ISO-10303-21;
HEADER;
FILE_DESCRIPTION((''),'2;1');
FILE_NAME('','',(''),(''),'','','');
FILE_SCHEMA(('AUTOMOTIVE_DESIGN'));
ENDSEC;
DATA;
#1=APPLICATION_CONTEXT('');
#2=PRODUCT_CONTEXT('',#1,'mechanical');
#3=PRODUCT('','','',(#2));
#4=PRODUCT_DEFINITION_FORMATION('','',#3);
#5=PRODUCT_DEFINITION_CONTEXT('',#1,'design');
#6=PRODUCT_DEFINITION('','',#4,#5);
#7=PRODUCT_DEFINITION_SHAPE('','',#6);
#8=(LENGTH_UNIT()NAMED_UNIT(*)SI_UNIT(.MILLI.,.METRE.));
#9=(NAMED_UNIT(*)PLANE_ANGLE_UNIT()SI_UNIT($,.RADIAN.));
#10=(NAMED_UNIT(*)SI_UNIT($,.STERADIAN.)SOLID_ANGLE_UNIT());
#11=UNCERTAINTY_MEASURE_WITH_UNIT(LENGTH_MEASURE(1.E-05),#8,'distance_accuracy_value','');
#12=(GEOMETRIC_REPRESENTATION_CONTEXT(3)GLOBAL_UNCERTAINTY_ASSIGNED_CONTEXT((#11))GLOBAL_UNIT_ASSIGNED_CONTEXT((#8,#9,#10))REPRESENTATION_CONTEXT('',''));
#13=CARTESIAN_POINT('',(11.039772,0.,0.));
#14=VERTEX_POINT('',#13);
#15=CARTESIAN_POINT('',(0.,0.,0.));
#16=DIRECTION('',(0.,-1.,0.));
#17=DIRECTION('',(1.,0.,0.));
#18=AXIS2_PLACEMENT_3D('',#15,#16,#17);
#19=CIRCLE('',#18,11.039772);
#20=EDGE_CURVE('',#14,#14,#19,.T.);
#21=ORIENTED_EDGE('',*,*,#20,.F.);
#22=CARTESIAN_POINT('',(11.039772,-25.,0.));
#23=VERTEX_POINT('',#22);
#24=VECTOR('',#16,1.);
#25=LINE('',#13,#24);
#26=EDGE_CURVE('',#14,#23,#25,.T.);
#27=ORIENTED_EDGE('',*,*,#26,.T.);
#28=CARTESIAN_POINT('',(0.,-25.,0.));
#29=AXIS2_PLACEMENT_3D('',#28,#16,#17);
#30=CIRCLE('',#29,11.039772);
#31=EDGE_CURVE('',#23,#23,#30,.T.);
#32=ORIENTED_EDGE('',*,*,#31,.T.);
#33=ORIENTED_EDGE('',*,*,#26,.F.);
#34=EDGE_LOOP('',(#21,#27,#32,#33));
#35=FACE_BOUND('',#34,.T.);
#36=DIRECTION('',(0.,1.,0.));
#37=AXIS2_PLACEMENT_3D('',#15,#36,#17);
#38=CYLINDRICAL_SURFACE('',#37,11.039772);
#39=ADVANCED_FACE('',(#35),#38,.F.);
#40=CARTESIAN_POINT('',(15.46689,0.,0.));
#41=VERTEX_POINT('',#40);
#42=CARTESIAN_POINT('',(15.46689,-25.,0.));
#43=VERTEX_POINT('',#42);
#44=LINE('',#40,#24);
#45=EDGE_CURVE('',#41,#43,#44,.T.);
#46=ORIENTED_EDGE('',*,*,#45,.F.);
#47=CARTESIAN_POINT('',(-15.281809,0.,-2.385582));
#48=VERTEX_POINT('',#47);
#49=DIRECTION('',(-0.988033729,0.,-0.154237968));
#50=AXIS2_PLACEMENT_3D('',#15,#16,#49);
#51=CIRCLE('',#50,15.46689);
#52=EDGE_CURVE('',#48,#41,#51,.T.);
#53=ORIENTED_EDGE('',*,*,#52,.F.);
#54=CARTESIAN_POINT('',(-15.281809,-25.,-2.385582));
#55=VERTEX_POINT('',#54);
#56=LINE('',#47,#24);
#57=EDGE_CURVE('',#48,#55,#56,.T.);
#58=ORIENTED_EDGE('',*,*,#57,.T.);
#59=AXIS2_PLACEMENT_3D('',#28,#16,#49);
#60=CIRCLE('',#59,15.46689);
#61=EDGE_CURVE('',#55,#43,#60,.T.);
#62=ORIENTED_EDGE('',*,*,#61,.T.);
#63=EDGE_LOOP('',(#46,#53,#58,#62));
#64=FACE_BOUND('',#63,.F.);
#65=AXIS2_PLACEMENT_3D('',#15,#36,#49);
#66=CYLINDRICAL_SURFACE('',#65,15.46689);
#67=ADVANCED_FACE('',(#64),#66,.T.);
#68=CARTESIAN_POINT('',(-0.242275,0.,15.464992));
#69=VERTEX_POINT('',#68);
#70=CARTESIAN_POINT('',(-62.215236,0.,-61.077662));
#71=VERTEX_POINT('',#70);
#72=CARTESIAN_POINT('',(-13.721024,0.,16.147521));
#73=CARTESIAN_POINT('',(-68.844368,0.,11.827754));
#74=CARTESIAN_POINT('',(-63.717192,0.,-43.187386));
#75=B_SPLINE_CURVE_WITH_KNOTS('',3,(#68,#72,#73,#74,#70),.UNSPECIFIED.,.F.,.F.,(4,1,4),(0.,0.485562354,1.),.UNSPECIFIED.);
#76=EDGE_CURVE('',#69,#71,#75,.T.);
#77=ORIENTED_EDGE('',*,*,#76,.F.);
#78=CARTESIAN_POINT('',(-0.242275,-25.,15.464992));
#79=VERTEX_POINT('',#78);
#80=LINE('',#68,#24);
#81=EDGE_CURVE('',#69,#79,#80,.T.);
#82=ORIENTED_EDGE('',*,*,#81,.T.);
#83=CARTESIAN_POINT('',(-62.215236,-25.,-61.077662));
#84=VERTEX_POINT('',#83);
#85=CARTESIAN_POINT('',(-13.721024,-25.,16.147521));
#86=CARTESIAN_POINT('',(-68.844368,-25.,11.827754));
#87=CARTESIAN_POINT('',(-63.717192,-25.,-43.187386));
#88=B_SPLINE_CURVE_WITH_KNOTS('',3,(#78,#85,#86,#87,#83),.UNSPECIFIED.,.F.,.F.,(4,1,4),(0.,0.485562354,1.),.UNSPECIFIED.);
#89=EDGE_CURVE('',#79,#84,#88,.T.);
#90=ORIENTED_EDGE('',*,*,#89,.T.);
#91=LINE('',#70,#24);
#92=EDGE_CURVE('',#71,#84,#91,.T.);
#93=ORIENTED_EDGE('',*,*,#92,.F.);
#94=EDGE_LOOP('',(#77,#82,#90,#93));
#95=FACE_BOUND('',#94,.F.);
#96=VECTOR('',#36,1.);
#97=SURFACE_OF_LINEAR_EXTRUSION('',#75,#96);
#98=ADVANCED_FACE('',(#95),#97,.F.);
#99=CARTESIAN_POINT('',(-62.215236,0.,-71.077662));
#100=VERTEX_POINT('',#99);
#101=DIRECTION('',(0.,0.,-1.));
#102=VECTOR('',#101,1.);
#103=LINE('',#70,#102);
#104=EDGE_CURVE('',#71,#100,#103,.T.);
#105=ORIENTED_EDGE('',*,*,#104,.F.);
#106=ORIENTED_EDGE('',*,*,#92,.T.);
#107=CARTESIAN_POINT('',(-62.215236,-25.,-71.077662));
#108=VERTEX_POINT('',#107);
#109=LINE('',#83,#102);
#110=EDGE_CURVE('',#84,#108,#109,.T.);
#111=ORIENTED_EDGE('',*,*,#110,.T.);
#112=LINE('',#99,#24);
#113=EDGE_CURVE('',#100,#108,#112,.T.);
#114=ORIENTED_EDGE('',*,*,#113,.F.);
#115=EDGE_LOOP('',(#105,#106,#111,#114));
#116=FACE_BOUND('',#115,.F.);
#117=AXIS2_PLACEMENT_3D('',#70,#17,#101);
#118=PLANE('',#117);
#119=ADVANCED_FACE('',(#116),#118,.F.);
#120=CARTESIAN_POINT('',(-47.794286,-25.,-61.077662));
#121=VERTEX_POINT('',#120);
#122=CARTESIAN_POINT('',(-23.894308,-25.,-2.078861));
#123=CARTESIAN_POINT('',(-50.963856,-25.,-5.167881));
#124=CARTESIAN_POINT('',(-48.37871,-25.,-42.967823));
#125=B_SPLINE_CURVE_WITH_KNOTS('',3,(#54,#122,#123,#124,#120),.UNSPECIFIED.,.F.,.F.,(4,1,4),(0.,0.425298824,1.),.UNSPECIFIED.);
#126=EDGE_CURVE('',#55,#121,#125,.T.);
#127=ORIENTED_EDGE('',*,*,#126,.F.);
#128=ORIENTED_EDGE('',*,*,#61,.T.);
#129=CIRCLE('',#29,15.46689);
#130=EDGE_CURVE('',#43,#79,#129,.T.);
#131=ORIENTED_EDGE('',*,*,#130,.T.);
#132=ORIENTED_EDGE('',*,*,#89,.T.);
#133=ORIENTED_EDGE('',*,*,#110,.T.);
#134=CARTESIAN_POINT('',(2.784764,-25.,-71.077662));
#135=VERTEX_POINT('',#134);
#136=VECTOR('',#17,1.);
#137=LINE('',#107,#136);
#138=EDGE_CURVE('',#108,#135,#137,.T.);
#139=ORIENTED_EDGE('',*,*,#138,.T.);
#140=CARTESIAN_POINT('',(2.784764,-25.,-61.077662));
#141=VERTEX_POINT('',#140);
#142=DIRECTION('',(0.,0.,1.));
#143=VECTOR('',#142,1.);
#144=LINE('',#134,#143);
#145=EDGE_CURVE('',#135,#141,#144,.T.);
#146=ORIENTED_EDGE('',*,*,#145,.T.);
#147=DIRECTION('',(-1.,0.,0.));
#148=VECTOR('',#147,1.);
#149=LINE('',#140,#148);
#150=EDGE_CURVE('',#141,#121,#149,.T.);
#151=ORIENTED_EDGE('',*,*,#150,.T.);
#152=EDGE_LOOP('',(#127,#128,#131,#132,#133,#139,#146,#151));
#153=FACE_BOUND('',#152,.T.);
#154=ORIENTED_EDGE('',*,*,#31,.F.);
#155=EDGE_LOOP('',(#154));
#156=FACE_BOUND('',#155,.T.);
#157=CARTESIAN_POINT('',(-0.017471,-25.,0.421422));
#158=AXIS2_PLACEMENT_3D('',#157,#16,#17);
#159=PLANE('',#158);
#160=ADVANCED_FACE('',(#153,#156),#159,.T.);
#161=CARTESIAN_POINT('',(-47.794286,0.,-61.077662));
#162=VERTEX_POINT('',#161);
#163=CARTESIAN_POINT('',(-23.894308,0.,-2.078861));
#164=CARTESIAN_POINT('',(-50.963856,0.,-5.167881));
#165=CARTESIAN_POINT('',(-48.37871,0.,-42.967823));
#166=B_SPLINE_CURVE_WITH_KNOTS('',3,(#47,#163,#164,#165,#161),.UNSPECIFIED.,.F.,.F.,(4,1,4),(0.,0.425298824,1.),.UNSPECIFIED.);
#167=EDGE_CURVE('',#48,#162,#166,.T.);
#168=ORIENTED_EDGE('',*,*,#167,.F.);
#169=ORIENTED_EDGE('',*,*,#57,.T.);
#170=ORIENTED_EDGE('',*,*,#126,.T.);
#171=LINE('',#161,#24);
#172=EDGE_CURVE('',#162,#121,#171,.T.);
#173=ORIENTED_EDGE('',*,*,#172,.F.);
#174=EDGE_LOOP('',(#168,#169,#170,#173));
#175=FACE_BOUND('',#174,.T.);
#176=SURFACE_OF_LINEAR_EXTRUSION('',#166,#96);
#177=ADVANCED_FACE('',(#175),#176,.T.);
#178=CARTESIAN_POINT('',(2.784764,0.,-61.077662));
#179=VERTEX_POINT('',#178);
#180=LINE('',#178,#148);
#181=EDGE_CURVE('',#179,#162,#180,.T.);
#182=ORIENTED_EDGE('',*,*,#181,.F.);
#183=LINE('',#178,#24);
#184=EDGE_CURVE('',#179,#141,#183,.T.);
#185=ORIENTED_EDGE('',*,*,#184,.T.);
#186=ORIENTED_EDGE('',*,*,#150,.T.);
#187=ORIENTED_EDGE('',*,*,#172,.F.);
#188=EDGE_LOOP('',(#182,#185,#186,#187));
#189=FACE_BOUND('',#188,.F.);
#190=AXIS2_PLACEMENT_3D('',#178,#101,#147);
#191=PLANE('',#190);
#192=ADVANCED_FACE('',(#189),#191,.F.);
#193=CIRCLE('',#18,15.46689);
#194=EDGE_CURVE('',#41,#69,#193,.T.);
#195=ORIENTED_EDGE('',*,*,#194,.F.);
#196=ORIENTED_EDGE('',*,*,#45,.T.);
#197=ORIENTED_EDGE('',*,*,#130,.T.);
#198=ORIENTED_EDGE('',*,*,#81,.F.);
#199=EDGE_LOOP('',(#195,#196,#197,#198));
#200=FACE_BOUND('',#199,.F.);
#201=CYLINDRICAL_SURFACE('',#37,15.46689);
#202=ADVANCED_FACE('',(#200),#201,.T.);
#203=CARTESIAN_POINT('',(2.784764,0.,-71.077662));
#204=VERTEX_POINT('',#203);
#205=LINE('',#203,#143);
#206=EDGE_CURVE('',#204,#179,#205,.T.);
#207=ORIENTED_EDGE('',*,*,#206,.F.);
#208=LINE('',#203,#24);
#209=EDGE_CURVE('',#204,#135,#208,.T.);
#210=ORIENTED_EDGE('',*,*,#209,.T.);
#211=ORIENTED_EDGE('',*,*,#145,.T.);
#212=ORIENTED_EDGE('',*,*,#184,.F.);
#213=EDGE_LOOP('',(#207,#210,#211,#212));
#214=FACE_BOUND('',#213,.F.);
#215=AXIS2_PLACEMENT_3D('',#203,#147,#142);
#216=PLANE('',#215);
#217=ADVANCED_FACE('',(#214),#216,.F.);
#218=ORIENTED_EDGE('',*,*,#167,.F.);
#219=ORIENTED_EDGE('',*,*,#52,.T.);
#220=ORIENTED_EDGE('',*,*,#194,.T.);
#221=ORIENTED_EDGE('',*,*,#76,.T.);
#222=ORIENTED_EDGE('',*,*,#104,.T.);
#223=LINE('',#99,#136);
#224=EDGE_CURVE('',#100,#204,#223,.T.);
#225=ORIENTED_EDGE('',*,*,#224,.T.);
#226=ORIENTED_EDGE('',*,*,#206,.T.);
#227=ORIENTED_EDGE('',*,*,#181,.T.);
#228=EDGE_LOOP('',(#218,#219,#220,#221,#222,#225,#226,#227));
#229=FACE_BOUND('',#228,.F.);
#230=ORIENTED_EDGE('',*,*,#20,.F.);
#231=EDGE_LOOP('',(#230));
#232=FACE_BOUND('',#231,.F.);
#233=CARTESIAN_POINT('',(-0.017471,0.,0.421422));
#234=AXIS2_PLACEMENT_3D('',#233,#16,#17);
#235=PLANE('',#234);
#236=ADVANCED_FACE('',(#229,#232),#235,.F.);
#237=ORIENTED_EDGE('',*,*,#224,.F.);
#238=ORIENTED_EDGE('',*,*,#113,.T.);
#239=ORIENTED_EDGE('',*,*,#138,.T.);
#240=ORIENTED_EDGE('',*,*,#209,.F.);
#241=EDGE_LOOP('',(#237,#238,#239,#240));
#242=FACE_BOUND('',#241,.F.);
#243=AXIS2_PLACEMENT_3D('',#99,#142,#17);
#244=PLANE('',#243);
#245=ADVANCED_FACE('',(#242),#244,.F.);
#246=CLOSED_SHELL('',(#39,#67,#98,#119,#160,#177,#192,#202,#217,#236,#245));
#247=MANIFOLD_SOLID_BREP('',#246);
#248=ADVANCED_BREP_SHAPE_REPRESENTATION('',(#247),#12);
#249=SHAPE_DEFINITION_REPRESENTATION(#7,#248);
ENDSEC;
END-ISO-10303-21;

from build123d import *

# Parameters (mm, degrees)
F0_R     = 11.0397722681
F1_DEPTH = 25


with BuildPart() as f1:
    # F0 (on Front) → F1 (new body)
    with BuildSketch(Plane.XZ):
        with BuildLine():
            ThreePointArc((-15.281808943, -2.3855816742), (1.1963752443, -15.4205502746), (15.4668899426, 0))
            ThreePointArc((15.4668899426, 0), (10.8507474742, 11.0220671268), (-0.2422751447, 15.4649923133))
            ThreePointArc((-0.2422751447, 15.4649923133), (-11.8283576464, 9.9656730774), (-15.281808943, -2.3855816742))
        make_face()
        Circle(F0_R, mode=Mode.SUBTRACT)
        with BuildLine():
            ThreePointArc((-15.281808943, -2.3855816742), (-11.8283576464, 9.9656730774), (-0.2422751447, 15.4649923133))
            add(Edge.make_bspline(
                [(-0.2422751447, 15.4649923133), (-13.7210243371, 16.1475211296), (-68.8443678546, 11.8277540092), (-63.7171922402, -43.1873857309), (-62.2152356955, -61.0776618162)],
                knots=[0, 0, 0, 0, 0.4855623541, 1, 1, 1, 1], degree=3))
            Line((-62.2152356955, -61.0776618162), (-47.7942863978, -61.0776618162))
            add(Edge.make_bspline(
                [(-15.281808943, -2.3855816742), (-23.8943081644, -2.0788610843), (-50.9638557981, -5.1678809076), (-48.3787098331, -42.9678229302), (-47.7942863978, -61.0776618162)],
                knots=[0, 0, 0, 0, 0.4252988236, 1, 1, 1, 1], degree=3))
        make_face()
        Polygon((-47.7942863978, -61.0776618162), (-62.2152356955, -61.0776618162), (-62.2152356955, -71.0776618162), (2.7847643045, -71.0776618162), (2.7847643045, -61.0776618162), align=None)
    extrude(amount=F1_DEPTH)


solid = f1.part
